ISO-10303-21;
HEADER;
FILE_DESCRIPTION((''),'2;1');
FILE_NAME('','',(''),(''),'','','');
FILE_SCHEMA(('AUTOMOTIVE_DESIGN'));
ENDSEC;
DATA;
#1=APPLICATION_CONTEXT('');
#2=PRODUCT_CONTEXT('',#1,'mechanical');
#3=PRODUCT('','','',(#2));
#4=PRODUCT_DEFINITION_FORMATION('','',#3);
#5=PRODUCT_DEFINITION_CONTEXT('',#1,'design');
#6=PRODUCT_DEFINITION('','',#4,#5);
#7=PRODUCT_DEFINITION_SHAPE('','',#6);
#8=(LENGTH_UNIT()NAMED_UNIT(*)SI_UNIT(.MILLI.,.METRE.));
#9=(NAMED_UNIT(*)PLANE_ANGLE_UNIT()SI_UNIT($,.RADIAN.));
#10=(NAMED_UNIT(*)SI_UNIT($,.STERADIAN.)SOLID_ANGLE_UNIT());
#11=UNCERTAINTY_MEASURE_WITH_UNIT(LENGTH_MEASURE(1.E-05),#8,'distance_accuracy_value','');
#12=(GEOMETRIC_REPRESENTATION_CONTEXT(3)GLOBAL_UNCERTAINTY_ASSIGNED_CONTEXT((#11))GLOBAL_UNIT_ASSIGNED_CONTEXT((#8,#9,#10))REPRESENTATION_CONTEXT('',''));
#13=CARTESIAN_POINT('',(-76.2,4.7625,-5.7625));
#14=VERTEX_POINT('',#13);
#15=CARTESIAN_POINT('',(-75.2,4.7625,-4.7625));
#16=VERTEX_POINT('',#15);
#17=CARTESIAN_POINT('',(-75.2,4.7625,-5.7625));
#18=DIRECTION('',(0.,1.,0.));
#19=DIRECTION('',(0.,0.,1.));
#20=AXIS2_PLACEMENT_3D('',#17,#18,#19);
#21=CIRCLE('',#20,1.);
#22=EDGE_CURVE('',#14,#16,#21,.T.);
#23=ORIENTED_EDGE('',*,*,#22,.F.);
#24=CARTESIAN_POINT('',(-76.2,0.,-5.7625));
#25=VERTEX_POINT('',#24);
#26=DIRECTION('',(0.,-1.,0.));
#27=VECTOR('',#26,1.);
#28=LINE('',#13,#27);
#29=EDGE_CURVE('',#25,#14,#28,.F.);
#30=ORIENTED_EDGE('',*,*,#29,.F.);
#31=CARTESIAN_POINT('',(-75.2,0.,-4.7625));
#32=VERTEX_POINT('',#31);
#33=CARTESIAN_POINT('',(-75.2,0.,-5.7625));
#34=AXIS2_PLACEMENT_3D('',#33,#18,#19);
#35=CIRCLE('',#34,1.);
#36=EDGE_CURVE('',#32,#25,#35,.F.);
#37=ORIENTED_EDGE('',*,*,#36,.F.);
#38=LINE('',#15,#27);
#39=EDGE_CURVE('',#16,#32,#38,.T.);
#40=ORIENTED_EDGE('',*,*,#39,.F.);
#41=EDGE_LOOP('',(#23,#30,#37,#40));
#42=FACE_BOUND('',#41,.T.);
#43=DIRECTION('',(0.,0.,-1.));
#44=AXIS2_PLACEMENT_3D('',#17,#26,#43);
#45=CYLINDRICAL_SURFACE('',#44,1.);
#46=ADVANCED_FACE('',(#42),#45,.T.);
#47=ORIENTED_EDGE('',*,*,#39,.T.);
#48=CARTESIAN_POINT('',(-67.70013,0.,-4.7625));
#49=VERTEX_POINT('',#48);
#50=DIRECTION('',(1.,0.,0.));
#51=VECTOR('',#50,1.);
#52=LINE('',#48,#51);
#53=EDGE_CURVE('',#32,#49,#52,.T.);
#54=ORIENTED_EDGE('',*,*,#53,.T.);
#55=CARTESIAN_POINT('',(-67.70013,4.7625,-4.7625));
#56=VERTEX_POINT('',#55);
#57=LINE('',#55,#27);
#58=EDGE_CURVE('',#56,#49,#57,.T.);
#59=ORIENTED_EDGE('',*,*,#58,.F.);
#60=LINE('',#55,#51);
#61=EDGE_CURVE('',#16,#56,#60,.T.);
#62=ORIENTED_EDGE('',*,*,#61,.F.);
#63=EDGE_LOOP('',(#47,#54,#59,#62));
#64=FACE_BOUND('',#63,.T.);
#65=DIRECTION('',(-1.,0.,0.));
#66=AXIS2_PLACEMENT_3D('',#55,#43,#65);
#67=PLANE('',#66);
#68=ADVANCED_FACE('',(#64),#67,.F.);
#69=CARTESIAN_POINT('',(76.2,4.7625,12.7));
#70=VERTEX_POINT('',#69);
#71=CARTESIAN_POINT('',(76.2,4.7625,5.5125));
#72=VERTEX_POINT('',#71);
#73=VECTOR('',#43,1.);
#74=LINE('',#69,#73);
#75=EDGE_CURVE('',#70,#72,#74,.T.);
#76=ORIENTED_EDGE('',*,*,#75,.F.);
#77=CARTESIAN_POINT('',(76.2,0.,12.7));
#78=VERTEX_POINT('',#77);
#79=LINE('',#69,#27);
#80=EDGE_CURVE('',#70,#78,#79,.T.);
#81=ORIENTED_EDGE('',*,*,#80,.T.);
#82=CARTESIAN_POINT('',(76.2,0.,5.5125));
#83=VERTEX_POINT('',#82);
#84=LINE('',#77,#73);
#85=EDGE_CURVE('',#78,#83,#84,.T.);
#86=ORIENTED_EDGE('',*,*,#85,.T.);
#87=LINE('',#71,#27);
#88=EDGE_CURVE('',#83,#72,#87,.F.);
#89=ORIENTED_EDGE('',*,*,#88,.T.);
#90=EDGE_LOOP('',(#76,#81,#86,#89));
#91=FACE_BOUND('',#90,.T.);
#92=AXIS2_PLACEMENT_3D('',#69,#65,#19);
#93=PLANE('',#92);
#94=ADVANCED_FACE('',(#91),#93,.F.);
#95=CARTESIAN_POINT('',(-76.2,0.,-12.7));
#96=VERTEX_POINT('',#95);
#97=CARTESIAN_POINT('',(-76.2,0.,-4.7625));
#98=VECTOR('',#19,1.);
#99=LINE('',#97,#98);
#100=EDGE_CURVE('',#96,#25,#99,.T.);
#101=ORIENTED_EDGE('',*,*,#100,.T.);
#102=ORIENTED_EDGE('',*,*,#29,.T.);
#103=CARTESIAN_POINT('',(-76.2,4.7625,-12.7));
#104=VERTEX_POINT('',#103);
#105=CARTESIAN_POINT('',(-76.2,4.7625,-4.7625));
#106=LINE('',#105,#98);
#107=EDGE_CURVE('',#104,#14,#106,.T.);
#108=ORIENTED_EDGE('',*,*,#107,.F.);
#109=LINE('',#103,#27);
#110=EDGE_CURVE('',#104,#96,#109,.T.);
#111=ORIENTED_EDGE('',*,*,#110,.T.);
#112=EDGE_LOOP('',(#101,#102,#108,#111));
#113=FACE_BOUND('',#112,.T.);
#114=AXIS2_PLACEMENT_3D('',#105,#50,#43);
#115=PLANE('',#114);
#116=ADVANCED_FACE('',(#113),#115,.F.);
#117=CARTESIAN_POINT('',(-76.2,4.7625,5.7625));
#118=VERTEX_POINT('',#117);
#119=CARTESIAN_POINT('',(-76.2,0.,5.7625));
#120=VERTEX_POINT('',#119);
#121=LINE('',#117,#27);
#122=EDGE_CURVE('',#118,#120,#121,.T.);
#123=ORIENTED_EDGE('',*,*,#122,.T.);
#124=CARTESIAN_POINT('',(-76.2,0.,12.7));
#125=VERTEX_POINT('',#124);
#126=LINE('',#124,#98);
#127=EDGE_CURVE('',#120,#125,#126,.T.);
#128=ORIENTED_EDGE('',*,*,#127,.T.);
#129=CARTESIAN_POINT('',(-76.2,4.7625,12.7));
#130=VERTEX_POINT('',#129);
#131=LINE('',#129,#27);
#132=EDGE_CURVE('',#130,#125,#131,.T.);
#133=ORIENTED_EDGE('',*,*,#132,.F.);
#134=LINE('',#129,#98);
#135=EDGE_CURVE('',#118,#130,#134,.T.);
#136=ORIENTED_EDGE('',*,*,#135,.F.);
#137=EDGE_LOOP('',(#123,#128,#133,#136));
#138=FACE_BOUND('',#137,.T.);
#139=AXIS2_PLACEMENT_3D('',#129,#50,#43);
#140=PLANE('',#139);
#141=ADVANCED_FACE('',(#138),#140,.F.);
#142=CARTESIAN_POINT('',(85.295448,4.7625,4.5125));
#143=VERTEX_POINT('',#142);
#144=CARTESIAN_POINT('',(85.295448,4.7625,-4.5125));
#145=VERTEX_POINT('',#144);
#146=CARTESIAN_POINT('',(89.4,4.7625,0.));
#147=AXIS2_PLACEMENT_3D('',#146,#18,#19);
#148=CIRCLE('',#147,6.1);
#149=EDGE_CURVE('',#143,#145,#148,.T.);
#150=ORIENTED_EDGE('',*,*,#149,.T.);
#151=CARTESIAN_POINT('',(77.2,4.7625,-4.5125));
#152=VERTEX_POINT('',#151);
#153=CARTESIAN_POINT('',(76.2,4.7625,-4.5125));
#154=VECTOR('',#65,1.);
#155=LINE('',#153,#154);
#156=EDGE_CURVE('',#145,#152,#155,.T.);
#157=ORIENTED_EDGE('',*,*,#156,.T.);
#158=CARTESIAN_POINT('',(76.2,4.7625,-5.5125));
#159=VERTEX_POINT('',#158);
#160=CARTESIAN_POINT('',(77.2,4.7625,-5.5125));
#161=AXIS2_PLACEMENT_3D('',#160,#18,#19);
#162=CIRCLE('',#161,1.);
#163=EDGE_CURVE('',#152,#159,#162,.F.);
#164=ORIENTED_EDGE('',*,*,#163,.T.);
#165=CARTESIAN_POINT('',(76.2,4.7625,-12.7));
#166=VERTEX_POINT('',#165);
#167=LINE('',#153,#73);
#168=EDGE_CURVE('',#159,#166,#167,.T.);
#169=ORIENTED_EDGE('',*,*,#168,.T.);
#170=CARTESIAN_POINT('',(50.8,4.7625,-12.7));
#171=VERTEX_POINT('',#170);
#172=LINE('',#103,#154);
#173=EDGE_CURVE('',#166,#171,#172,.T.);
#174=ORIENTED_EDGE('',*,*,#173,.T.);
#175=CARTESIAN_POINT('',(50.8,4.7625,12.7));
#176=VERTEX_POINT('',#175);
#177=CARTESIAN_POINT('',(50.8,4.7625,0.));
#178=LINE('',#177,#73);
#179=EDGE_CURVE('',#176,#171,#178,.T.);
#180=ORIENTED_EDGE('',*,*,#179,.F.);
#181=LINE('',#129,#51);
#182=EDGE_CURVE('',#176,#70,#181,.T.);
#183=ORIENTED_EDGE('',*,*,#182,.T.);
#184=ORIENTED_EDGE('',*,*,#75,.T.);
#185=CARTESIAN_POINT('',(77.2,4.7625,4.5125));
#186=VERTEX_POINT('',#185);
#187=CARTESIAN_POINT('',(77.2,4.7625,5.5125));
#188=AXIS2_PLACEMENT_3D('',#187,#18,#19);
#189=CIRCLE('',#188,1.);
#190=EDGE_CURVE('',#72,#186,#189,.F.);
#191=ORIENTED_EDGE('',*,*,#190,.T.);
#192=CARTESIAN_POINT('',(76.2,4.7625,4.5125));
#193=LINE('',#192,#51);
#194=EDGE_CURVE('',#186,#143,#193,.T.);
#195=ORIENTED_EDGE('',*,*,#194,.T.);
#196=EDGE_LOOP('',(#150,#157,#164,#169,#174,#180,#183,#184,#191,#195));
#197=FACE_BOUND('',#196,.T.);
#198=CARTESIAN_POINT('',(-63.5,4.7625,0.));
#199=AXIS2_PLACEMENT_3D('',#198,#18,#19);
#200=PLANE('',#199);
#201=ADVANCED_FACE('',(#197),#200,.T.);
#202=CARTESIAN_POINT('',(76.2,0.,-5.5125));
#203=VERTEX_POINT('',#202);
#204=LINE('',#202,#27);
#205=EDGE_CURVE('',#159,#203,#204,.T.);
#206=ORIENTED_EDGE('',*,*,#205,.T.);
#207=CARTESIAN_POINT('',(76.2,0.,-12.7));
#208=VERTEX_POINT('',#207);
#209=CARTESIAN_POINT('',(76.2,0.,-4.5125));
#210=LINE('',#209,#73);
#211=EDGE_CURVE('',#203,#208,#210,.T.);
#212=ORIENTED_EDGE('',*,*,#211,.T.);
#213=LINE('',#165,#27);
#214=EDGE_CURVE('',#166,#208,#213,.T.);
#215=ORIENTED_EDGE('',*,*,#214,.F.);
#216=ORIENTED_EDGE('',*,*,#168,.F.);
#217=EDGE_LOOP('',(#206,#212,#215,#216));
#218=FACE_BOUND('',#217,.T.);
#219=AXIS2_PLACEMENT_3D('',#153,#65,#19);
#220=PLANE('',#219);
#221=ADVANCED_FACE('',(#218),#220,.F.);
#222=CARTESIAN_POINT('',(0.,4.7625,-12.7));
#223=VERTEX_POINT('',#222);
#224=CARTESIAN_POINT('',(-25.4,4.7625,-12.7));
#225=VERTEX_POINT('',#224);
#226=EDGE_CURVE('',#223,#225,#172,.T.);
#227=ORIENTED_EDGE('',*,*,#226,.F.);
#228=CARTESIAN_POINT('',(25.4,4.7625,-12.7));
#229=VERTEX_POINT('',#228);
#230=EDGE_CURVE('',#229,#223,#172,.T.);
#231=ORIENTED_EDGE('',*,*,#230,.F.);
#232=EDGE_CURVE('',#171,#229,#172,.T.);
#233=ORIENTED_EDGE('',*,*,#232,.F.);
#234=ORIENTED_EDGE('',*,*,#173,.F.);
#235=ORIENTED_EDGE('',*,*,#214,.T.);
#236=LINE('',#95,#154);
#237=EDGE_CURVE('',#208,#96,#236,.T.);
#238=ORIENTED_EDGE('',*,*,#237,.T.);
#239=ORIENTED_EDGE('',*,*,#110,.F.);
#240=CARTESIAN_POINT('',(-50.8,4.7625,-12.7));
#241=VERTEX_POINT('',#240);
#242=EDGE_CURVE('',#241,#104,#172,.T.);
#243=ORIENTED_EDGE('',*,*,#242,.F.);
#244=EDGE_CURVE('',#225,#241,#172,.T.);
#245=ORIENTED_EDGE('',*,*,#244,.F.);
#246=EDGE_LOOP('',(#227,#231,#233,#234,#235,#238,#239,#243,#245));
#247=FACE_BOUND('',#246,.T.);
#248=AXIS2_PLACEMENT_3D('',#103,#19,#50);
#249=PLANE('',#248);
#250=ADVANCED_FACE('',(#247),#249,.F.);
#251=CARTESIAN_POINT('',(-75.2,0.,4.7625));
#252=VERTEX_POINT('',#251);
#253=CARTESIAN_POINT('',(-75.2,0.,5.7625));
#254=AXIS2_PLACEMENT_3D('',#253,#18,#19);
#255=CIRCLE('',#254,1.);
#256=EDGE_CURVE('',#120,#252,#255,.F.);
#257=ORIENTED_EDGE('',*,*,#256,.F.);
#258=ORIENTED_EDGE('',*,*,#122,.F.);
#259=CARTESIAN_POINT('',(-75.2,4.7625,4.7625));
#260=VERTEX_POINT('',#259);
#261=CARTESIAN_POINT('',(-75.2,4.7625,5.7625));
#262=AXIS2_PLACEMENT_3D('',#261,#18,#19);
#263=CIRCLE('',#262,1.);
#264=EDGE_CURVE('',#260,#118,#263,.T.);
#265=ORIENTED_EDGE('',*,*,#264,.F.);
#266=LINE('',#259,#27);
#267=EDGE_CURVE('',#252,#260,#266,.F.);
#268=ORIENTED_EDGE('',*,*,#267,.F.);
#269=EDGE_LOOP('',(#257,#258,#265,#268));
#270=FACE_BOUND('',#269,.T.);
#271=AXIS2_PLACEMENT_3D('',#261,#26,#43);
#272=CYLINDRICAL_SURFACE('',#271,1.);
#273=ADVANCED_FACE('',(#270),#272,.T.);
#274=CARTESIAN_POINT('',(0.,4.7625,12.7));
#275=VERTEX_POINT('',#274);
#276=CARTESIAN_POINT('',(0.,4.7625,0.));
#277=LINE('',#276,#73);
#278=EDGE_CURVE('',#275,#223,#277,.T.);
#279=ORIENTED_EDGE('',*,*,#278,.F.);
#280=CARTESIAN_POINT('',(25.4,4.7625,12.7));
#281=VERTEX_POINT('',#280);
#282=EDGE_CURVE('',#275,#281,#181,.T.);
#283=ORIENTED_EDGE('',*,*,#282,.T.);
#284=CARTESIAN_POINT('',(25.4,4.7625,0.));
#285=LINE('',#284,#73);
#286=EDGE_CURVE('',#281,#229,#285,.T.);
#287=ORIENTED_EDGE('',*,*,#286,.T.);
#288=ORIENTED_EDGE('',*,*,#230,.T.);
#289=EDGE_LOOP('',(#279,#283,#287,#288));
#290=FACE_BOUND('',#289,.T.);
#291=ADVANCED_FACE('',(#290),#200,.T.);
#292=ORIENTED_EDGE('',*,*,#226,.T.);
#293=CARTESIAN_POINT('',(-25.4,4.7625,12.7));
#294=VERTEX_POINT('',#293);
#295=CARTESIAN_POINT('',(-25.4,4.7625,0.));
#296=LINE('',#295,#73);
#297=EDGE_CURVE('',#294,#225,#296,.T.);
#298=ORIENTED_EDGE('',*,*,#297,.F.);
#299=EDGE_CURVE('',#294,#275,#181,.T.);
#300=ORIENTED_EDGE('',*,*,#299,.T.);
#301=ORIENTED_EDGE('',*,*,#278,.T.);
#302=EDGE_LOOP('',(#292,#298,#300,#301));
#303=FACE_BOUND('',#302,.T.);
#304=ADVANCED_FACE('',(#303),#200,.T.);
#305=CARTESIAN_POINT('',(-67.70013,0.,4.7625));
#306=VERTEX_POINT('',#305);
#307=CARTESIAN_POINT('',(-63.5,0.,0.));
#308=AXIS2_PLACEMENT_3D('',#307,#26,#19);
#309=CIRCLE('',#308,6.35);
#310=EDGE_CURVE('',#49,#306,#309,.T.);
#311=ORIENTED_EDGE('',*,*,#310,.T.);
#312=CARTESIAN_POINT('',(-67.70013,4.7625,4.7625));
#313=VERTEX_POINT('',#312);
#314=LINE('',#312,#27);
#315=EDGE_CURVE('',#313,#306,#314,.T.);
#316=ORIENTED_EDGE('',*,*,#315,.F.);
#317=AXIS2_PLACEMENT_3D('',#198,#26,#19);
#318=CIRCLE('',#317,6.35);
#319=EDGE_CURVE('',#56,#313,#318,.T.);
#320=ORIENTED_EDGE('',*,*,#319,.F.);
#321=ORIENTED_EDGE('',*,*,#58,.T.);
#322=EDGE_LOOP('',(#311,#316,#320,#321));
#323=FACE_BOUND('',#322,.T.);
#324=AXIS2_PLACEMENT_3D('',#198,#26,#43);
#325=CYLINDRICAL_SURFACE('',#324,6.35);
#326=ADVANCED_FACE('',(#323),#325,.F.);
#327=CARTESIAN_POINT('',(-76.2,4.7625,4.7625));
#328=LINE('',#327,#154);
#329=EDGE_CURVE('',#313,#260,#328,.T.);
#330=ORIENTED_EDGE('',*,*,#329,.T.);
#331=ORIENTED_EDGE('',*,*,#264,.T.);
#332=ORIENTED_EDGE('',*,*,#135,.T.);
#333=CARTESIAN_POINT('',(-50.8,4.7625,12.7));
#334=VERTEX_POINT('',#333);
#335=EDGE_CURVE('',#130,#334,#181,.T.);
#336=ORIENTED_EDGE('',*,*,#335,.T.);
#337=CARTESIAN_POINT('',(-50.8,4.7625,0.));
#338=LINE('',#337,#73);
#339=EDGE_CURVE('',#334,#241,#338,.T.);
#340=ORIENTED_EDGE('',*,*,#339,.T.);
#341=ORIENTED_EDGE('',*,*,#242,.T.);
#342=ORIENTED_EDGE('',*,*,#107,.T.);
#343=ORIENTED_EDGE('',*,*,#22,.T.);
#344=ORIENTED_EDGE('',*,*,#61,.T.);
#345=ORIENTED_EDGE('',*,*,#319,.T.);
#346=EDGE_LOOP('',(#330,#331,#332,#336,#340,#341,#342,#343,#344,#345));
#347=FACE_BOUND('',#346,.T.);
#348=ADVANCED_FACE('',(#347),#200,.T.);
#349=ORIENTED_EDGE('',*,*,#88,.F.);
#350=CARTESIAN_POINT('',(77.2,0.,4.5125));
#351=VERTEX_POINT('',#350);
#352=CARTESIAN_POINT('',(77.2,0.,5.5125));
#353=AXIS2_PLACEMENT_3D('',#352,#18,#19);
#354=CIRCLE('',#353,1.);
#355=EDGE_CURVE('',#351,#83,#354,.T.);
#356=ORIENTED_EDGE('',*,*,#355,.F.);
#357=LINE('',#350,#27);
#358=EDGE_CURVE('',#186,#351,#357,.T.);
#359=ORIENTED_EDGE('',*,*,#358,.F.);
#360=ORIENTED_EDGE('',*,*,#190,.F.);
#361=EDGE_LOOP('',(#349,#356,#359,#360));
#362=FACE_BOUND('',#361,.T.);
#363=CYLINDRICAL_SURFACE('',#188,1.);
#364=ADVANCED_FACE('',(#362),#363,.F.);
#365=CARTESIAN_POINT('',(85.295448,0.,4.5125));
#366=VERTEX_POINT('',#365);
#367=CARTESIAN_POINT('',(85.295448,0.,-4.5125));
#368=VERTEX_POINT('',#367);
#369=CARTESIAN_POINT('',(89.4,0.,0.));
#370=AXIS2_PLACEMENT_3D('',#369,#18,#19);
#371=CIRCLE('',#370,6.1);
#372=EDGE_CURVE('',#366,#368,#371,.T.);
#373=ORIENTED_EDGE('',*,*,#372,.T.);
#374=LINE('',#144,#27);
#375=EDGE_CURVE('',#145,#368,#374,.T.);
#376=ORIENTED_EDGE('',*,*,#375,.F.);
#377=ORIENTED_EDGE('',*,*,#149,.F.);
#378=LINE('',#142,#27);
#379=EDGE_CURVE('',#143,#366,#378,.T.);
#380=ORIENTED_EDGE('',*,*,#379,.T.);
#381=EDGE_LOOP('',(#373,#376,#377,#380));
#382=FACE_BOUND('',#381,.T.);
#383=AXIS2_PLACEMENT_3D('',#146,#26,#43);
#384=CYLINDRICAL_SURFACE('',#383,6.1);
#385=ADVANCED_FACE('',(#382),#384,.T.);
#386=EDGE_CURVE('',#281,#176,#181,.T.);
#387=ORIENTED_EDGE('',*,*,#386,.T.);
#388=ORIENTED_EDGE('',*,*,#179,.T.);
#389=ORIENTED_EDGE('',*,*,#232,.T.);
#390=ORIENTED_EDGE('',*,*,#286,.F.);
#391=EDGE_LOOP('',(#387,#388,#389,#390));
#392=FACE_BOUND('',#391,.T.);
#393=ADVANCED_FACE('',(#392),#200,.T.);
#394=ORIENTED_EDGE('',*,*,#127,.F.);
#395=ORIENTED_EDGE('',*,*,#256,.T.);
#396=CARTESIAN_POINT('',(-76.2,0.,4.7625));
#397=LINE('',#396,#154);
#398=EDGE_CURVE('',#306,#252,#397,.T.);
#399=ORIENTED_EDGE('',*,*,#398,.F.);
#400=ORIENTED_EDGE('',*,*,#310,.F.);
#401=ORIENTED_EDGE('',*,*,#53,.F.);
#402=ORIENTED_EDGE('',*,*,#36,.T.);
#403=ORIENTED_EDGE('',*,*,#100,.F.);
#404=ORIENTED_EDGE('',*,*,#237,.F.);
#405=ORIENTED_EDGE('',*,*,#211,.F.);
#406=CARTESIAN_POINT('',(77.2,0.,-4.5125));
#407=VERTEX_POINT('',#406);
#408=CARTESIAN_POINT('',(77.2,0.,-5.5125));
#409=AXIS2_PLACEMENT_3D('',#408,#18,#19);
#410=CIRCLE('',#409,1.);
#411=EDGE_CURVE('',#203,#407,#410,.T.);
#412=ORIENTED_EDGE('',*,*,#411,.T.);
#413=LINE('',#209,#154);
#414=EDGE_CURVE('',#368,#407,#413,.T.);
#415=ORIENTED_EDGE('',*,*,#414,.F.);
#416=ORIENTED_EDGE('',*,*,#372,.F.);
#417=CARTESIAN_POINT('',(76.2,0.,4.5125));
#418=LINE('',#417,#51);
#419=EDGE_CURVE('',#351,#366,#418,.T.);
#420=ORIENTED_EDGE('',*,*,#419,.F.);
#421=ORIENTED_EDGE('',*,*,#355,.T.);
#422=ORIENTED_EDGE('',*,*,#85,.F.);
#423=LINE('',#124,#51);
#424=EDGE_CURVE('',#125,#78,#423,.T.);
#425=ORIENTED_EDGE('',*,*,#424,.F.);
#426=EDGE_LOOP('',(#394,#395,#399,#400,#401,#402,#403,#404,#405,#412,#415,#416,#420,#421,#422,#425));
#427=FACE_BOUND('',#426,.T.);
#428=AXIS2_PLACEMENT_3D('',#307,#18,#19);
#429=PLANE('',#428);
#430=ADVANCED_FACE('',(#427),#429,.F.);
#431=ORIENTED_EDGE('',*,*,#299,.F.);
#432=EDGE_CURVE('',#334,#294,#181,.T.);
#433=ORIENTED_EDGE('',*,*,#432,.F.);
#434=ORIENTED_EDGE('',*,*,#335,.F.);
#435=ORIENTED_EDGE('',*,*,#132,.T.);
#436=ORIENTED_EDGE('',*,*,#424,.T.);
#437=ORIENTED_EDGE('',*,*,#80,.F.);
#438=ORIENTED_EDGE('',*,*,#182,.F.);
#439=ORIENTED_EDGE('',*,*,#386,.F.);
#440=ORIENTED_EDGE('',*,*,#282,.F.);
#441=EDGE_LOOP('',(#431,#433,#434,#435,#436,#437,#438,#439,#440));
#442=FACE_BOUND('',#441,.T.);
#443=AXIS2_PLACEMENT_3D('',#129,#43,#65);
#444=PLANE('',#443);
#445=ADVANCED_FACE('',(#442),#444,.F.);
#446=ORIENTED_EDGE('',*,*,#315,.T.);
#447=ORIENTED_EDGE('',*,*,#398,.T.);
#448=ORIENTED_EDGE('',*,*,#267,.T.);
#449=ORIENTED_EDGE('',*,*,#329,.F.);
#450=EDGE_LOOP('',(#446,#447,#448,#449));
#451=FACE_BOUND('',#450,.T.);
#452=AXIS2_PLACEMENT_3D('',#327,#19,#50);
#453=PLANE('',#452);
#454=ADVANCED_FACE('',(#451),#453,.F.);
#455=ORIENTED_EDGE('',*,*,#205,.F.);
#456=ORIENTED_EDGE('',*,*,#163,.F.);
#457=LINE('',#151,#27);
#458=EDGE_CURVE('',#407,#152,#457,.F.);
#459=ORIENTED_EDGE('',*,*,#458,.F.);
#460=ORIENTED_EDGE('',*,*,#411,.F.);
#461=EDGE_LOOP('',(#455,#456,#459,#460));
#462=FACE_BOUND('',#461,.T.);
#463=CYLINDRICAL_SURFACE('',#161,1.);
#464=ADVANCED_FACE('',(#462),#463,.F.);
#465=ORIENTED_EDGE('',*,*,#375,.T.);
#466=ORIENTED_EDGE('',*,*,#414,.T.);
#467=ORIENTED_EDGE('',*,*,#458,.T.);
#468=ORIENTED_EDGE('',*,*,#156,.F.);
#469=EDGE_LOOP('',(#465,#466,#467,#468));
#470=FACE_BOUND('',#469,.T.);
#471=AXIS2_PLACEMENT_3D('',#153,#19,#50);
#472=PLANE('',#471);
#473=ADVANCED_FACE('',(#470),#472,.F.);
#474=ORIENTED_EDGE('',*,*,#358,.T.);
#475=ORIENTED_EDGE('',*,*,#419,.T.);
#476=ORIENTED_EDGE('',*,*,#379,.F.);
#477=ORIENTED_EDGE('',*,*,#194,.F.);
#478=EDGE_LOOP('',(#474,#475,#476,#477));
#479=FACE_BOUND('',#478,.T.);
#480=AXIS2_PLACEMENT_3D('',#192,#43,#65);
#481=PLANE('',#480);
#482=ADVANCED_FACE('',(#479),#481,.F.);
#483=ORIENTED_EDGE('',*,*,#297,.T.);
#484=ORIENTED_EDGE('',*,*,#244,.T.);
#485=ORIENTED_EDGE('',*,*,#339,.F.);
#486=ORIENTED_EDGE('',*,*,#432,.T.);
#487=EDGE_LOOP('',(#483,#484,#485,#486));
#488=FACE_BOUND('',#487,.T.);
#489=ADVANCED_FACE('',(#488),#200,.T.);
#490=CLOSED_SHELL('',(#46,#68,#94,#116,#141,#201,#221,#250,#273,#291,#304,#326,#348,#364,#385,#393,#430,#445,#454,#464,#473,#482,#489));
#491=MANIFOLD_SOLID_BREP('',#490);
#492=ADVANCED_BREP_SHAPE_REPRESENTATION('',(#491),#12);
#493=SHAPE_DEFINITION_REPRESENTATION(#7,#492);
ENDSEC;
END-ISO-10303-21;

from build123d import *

# Parameters (mm, degrees)
BOSS_EXTRUDE1_DEPTH = 4.7625
FILLET1_R           = 1


with BuildPart() as part:
    # Sketch1 → Boss-Extrude1 (new body)
    with BuildSketch(Plane(origin=(0, 0, 0), x_dir=(1, 0, 0), z_dir=(0, 1, 0))):
        with BuildLine():
            Line((-76.2, -12.7), (76.2, -12.7))
            Line((76.2, -12.7), (76.2, -4.5125))
            Line((76.2, -4.5125), (85.295448411, -4.5125))
            ThreePointArc((85.295448411, -4.5125), (95.5, 0), (85.295448411, 4.5125))
            Line((85.295448411, 4.5125), (76.2, 4.5125))
            Line((76.2, 4.5125), (76.2, 12.7))
            Line((76.2, 12.7), (-76.2, 12.7))
            Line((-76.2, 12.7), (-76.2, 4.7625))
            Line((-76.2, 4.7625), (-67.700130206, 4.7625))
            ThreePointArc((-67.700130206, 4.7625), (-57.15, 0), (-67.700130206, -4.7625))
            Line((-67.700130206, -4.7625), (-76.2, -4.7625))
            Line((-76.2, -4.7625), (-76.2, -12.7))
        make_face()
    extrude(amount=BOSS_EXTRUDE1_DEPTH)

    # Fillet1
    fillet1_edges = [part.edges().sort_by_distance(p)[0] for p in [
        (76.2, 2.38125, -4.5125),
        (76.2, 2.38125, 4.5125),
        (-76.2, 2.38125, 4.7625),
        (-76.2, 2.38125, -4.7625),
    ]]
    fillet(fillet1_edges, radius=FILLET1_R)


solid = part.part
